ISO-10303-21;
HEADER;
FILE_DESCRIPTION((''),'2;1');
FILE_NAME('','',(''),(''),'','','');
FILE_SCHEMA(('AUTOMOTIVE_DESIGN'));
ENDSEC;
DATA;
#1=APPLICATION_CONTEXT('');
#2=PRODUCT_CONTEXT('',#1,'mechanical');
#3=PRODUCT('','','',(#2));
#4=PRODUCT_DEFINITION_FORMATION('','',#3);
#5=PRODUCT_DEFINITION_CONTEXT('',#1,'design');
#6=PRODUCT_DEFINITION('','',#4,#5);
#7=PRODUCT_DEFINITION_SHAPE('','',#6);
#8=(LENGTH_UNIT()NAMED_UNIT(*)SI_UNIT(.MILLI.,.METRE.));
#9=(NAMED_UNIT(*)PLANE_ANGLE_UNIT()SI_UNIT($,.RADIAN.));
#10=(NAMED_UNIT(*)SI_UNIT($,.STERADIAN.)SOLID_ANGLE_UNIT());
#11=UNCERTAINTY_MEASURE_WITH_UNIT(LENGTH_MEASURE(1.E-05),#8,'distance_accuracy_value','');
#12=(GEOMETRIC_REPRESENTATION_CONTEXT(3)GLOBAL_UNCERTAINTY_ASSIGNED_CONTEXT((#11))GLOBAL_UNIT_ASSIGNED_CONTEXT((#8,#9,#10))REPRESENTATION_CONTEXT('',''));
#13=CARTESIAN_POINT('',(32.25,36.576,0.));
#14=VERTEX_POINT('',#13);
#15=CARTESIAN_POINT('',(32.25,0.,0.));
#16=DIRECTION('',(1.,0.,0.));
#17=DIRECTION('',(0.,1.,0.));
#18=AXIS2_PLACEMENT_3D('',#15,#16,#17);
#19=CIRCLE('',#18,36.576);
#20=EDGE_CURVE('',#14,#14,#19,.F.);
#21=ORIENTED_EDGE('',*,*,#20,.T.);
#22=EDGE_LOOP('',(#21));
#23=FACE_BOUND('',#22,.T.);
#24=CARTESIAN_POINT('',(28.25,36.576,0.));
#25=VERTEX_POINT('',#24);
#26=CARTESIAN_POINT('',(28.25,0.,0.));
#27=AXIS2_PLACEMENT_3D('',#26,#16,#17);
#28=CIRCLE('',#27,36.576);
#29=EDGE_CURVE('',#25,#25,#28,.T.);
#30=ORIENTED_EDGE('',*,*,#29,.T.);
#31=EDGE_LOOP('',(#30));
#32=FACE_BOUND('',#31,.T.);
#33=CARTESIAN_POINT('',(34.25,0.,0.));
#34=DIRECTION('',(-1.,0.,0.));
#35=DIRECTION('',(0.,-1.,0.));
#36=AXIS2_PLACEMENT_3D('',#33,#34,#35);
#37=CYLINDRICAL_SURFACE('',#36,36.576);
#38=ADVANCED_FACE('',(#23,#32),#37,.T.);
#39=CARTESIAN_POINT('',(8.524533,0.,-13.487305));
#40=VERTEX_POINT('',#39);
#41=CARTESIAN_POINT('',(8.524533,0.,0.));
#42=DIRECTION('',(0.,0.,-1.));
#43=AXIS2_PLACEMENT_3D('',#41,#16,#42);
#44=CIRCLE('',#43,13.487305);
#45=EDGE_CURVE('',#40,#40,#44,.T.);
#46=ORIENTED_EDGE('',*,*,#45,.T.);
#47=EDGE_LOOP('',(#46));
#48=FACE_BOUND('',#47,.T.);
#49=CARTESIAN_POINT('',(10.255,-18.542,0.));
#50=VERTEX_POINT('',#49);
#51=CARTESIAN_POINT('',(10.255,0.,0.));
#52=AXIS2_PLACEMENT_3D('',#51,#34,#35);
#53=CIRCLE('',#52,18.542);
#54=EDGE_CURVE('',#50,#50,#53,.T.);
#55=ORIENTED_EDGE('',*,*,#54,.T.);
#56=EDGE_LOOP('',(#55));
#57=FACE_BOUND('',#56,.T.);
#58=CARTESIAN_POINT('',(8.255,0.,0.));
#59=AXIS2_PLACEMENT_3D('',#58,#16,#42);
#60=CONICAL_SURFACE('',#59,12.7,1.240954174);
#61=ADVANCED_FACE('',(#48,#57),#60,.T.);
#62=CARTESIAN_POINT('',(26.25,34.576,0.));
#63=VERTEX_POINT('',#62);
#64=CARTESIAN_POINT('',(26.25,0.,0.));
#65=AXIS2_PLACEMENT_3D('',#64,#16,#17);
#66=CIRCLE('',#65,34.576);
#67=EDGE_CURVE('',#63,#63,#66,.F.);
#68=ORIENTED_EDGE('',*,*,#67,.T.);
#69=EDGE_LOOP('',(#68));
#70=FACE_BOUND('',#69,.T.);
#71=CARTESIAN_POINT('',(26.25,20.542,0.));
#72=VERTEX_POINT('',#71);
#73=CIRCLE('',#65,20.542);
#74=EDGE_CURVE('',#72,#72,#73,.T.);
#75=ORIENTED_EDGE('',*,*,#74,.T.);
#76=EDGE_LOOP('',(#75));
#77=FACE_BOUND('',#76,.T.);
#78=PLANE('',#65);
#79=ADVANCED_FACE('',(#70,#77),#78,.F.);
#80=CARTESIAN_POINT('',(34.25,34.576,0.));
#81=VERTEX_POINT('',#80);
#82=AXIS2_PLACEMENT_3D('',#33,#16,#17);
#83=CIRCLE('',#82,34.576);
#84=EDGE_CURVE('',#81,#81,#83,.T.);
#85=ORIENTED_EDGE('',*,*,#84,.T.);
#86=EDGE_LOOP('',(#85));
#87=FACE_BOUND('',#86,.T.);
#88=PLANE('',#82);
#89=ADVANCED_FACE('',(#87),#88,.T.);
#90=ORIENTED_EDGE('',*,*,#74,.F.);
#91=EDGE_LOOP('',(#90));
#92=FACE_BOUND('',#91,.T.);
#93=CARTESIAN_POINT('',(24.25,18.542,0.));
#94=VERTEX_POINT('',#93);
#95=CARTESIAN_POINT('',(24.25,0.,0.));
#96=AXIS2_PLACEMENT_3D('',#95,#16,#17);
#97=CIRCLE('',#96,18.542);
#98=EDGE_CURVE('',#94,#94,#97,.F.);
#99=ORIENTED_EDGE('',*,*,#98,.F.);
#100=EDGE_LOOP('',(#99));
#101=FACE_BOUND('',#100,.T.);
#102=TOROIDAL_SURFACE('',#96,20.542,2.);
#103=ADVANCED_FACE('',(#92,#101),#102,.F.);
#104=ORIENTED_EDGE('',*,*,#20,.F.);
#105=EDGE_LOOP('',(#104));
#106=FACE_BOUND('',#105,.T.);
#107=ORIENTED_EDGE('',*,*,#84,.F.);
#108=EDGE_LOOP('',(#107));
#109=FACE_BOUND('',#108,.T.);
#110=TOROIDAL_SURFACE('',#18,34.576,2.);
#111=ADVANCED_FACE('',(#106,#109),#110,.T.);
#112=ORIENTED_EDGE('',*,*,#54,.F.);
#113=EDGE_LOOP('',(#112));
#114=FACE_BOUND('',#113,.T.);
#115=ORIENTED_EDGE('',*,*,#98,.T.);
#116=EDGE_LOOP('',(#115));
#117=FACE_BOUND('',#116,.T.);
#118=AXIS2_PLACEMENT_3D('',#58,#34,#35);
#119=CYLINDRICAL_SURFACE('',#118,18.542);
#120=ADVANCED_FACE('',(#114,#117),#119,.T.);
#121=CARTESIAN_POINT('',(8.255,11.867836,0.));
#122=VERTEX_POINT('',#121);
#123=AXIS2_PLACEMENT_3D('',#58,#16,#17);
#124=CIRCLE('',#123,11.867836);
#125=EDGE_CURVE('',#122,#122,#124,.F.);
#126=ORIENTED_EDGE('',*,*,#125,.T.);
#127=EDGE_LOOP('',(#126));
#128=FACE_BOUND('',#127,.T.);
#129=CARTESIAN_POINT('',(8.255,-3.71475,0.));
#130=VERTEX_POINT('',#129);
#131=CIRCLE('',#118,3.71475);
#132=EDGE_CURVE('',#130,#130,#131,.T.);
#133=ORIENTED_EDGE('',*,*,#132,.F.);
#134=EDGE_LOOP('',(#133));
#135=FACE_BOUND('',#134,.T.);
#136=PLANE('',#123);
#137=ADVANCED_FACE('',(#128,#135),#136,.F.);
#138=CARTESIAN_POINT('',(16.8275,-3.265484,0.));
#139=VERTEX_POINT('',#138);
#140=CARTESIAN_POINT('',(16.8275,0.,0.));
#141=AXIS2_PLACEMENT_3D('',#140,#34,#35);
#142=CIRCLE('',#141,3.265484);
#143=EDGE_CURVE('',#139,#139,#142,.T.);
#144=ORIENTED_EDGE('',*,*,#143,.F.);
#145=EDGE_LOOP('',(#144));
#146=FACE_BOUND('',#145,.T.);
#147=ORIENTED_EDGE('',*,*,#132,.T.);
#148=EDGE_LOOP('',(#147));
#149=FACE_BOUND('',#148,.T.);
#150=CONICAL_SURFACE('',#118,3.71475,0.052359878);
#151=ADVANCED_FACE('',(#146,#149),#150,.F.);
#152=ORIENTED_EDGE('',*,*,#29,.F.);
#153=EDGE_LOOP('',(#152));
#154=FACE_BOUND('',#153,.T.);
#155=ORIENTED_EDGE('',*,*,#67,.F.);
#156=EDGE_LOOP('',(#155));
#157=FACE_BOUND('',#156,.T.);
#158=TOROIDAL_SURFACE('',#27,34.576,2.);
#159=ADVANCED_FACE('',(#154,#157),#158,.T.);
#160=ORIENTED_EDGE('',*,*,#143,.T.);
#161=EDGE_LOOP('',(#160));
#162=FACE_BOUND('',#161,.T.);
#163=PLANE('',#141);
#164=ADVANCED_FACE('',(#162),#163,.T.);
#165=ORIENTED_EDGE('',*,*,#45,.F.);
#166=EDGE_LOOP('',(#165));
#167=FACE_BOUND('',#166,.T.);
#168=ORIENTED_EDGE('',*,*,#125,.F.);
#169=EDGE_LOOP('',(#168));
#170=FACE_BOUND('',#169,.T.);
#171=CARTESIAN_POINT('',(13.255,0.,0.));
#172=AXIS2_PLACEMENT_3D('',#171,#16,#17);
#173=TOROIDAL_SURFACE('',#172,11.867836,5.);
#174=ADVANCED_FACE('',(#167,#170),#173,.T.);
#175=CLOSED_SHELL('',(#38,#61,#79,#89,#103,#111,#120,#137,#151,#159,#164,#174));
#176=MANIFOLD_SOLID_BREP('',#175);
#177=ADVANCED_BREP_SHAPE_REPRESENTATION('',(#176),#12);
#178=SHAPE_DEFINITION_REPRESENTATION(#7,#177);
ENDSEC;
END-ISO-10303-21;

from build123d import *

# Parameters (mm, degrees)
SKETCH1_W           = 17.995
SKETCH1_H           = 18.542
SKETCH2_R           = 3.71475
CUT_EXTRUDE1_DEPTH  = 8.5725
CUT_EXTRUDE1_TAPER  = 3
SKETCH3_R           = 36.576
BOSS_EXTRUDE1_DEPTH = 8
FILLET1_R           = 2
SKETCH4_R           = 18.542
SKETCH4_R_2         = 12.7
CUT_EXTRUDE2_DEPTH  = 2
FILLET2_R           = 5


with BuildPart() as part:
    # Sketch1 → Revolve1 (revolve)
    with BuildSketch(Plane.XY):
        with Locations((17.2525, 9.271)):
            Rectangle(SKETCH1_W, SKETCH1_H)
    revolve(axis=Axis((8.255, 0, 0), (1, 0, 0)))

    # Sketch2 → Cut-Extrude1 (cut)
    with BuildSketch(Plane.ZY.offset(-8.255)):
        Circle(SKETCH2_R)
    extrude(amount=-CUT_EXTRUDE1_DEPTH, taper=CUT_EXTRUDE1_TAPER, mode=Mode.SUBTRACT)

    # Sketch3 → Boss-Extrude1 (add)
    with BuildSketch(Plane(origin=(26.25, 0, 0), x_dir=(0, 0, -1), z_dir=(1, 0, 0))):
        Circle(SKETCH3_R)
    extrude(amount=BOSS_EXTRUDE1_DEPTH)

    # Fillet1
    fillet1_edges = [part.edges().sort_by_distance(p)[0] for p in [
        (26.25, -18.542, 0),
        (26.25, 0, 36.576),
        (34.25, 0, 36.576),
    ]]
    fillet(fillet1_edges, radius=FILLET1_R)

    # Sketch4 → Cut-Extrude2 (cut)
    with BuildSketch(Plane.ZY.offset(-8.255)):
        Circle(SKETCH4_R)
        Circle(SKETCH4_R_2, mode=Mode.SUBTRACT)
    extrude(amount=-CUT_EXTRUDE2_DEPTH, mode=Mode.SUBTRACT)

    # Sketch5 → Revolve2 (revolve)
    with BuildSketch(Plane(origin=(0, 0, 0), x_dir=(1, 0, 0), z_dir=(0, 1, 0))):
        Polygon((8.255, -12.7), (10.255, -18.542), (10.255, -12.7), align=None)
    revolve(axis=Axis((0, 0, 0), (1, 0, 0)))

    # Fillet2
    fillet2_edges = [part.edges().sort_by_distance(p)[0] for p in [
        (8.255, 0, -12.7),
    ]]
    fillet(fillet2_edges, radius=FILLET2_R)


solid = part.part
